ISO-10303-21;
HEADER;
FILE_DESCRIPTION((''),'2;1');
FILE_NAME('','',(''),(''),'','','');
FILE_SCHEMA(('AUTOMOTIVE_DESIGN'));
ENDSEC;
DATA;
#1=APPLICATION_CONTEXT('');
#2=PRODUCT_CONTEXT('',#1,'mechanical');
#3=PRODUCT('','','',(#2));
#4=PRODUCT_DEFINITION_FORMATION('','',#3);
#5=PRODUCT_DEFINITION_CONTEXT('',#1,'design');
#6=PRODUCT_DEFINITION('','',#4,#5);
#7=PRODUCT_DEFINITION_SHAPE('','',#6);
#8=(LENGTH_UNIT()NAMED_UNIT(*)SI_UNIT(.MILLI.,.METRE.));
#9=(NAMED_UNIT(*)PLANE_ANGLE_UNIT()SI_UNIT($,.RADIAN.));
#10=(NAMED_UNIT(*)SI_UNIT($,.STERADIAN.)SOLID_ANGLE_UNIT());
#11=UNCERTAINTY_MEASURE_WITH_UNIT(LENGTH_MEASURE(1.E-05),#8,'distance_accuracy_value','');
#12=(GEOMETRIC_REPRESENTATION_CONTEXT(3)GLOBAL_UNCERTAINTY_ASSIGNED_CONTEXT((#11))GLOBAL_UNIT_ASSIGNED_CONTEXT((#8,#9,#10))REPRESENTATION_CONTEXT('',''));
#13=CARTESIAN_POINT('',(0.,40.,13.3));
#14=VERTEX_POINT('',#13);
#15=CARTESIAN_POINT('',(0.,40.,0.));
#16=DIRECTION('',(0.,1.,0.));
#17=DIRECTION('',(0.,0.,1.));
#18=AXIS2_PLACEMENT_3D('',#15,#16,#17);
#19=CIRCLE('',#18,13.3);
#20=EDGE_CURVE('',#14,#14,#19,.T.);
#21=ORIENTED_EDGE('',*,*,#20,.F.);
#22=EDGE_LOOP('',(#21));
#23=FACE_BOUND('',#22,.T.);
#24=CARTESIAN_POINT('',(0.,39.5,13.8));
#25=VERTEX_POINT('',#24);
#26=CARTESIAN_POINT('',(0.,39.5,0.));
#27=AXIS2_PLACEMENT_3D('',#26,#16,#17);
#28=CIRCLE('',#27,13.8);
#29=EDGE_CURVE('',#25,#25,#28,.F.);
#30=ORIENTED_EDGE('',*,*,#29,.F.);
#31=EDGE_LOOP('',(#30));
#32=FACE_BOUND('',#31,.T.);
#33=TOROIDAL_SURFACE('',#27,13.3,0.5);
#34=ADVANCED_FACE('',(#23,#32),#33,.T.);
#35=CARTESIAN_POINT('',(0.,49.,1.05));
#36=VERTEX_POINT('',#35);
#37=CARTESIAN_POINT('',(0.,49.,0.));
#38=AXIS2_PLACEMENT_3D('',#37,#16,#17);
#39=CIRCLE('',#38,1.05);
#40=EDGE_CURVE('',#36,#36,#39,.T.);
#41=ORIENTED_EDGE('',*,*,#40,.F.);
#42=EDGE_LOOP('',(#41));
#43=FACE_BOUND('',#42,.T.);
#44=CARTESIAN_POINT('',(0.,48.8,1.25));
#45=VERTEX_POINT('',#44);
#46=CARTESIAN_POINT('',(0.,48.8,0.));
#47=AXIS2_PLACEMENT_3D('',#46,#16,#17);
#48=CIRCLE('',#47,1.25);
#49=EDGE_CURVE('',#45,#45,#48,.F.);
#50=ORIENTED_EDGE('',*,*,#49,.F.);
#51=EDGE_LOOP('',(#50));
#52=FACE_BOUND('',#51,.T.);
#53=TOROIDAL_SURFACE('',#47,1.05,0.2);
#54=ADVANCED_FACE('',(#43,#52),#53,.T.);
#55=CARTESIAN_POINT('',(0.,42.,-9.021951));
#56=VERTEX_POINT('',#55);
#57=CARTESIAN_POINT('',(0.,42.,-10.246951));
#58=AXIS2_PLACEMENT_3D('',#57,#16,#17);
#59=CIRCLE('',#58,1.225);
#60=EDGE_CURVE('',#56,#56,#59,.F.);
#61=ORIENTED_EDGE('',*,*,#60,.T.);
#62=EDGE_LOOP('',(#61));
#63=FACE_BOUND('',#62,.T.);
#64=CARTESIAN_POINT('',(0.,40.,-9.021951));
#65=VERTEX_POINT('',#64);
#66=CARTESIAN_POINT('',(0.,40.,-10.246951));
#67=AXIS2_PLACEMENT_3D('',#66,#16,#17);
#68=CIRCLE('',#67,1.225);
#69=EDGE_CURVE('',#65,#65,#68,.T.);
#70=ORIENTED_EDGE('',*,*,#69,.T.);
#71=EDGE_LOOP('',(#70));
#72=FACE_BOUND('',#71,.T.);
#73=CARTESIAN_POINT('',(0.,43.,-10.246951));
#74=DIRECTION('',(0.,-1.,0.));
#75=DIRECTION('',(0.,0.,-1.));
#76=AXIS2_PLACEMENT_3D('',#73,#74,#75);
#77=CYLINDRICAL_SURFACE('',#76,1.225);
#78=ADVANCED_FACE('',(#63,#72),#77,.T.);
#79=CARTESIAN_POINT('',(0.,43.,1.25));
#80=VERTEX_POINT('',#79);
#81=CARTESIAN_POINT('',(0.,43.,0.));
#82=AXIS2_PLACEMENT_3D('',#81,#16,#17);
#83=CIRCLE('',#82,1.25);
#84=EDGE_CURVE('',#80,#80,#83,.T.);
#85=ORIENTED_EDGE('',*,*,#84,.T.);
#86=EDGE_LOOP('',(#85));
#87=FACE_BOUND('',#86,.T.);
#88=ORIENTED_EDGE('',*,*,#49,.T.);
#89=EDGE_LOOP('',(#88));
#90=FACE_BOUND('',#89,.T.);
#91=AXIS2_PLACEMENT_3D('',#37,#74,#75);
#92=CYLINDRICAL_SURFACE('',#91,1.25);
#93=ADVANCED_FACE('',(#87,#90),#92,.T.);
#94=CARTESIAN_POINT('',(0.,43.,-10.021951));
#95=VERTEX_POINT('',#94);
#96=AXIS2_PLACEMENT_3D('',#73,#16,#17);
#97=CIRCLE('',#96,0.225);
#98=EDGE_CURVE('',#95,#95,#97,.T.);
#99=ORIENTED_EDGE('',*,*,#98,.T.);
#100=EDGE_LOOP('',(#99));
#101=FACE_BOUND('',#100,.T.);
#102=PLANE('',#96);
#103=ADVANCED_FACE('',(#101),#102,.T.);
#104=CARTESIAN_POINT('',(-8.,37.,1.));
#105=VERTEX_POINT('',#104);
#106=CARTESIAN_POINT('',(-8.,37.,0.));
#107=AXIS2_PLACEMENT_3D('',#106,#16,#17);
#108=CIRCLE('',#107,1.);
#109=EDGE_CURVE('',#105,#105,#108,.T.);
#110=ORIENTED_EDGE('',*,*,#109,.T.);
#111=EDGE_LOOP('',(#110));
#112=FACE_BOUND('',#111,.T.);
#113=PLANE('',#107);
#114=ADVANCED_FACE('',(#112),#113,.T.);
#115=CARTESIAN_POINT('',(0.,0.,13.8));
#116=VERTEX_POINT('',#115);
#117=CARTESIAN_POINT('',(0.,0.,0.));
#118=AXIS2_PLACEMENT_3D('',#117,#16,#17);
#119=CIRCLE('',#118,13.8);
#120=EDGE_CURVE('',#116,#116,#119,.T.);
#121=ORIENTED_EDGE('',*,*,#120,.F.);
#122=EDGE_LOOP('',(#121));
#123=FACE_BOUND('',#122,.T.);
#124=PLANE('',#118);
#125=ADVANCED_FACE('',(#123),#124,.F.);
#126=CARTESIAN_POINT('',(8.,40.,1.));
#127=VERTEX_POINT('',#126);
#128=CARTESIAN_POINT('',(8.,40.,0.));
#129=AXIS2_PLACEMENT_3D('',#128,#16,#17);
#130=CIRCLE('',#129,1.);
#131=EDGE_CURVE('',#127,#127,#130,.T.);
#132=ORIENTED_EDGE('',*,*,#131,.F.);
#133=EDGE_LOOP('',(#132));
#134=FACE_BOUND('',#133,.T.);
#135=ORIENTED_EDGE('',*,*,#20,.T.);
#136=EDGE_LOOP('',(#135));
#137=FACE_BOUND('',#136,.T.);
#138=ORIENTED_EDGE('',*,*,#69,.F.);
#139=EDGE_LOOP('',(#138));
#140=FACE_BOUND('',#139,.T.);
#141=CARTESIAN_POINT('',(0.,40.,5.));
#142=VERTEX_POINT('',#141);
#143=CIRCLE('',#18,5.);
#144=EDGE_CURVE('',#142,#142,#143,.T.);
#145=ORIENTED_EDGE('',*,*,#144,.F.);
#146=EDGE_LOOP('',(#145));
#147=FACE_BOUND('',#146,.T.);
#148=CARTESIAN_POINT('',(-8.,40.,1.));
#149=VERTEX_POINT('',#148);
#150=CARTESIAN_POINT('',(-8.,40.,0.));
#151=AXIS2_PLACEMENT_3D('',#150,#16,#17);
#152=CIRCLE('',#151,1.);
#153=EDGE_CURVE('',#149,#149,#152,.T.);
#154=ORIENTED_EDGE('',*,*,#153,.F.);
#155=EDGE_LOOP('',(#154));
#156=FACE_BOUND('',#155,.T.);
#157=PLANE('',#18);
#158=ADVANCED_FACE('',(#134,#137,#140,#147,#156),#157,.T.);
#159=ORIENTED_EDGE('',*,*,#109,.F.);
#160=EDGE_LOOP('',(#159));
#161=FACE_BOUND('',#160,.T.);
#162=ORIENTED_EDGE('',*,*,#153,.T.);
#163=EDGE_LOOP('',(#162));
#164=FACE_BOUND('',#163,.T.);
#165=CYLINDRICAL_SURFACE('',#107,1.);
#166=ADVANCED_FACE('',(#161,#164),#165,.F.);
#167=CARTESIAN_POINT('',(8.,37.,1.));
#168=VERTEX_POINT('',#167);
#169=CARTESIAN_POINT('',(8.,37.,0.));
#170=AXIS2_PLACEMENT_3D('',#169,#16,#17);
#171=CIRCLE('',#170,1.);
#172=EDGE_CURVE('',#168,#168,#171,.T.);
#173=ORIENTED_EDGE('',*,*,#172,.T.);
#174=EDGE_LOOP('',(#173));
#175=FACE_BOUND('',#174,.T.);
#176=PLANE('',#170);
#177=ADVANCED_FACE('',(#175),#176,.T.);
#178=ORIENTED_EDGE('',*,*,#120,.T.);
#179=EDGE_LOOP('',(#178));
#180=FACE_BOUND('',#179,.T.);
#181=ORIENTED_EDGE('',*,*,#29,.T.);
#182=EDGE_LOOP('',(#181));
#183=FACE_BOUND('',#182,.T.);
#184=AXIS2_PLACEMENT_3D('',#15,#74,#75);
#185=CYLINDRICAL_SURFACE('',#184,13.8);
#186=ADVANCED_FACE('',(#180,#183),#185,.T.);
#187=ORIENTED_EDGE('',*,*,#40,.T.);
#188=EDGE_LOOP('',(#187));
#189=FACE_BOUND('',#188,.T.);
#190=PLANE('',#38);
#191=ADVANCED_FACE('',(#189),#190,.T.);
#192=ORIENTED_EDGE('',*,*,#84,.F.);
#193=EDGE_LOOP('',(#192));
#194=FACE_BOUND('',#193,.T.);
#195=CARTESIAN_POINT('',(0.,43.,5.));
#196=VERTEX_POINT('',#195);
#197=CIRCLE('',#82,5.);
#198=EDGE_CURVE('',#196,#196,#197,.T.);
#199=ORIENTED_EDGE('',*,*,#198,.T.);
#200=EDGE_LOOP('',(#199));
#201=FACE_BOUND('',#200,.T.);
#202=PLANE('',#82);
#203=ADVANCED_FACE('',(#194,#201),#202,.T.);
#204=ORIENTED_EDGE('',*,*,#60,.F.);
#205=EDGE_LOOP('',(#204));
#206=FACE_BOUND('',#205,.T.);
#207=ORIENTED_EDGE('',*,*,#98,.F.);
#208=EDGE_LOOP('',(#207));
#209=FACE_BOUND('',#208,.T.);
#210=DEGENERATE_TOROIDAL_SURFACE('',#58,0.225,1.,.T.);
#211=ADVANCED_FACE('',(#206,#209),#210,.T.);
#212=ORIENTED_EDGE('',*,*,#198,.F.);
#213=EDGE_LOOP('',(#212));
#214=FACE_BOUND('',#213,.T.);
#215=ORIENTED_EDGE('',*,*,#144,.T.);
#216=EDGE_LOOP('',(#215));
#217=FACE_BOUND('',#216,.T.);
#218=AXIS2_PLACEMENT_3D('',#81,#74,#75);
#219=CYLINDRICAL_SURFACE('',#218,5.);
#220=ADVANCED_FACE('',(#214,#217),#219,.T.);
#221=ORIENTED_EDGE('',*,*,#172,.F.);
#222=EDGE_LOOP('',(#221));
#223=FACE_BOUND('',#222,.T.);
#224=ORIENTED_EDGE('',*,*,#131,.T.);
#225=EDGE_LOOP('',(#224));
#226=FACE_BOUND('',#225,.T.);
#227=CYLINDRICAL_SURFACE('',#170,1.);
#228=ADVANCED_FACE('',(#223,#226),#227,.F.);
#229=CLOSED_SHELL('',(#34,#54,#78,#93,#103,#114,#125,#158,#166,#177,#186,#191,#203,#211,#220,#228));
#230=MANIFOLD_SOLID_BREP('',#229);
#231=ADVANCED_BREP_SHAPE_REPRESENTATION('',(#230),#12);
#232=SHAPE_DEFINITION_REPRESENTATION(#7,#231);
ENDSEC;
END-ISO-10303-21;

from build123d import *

# Parameters (mm, degrees)
SKETCH1_R           = 13.8
BOSS_EXTRUDE1_DEPTH = 40
SKETCH2_R           = 5
BOSS_EXTRUDE2_DEPTH = 3
SKETCH3_R           = 1
CUT_EXTRUDE1_DEPTH  = 3
SKETCH4_R           = 1.225
BOSS_EXTRUDE3_DEPTH = 3
FILLET1_R           = 1
FILLET2_R           = 0.5
SKETCH5_R           = 1.25
BOSS_EXTRUDE4_DEPTH = 6
FILLET3_R           = 0.2


with BuildPart() as part:
    # Sketch1 → Boss-Extrude1 (new body)
    with BuildSketch(Plane(origin=(0, 0, 0), x_dir=(1, 0, 0), z_dir=(0, 1, 0))):
        Circle(SKETCH1_R)
    extrude(amount=BOSS_EXTRUDE1_DEPTH)

    # Sketch2 → Boss-Extrude2 (add)
    with BuildSketch(Plane(origin=(0, 40, 0), x_dir=(1, 0, 0), z_dir=(0, 1, 0))):
        Circle(SKETCH2_R)
    extrude(amount=BOSS_EXTRUDE2_DEPTH)

    # Sketch3 → Cut-Extrude1 (cut)
    with BuildSketch(Plane(origin=(0, 40, 0), x_dir=(1, 0, 0), z_dir=(0, 1, 0))):
        with Locations((-8, 0)):
            Circle(SKETCH3_R)
        with Locations((8, 0)):
            Circle(SKETCH3_R)
    extrude(amount=-CUT_EXTRUDE1_DEPTH, mode=Mode.SUBTRACT)

    # Sketch4 → Boss-Extrude3 (add)
    with BuildSketch(Plane(origin=(0, 40, 0), x_dir=(1, 0, 0), z_dir=(0, 1, 0))):
        with Locations((0, 10.246950766)):
            Circle(SKETCH4_R)
    extrude(amount=BOSS_EXTRUDE3_DEPTH)

    # Fillet1
    fillet1_edges = [part.edges().sort_by_distance(p)[0] for p in [
        (-1.225, 43, -10.246950766),
    ]]
    fillet(fillet1_edges, radius=FILLET1_R)

    # Fillet2
    fillet2_edges = [part.edges().sort_by_distance(p)[0] for p in [
        (-13.8, 40, 0),
    ]]
    fillet(fillet2_edges, radius=FILLET2_R)

    # Sketch5 → Boss-Extrude4 (add)
    with BuildSketch(Plane(origin=(0, 43, 0), x_dir=(1, 0, 0), z_dir=(0, 1, 0))):
        Circle(SKETCH5_R)
    extrude(amount=BOSS_EXTRUDE4_DEPTH)

    # Fillet3
    fillet3_edges = [part.edges().sort_by_distance(p)[0] for p in [
        (-1.25, 49, 0),
    ]]
    fillet(fillet3_edges, radius=FILLET3_R)


solid = part.part
